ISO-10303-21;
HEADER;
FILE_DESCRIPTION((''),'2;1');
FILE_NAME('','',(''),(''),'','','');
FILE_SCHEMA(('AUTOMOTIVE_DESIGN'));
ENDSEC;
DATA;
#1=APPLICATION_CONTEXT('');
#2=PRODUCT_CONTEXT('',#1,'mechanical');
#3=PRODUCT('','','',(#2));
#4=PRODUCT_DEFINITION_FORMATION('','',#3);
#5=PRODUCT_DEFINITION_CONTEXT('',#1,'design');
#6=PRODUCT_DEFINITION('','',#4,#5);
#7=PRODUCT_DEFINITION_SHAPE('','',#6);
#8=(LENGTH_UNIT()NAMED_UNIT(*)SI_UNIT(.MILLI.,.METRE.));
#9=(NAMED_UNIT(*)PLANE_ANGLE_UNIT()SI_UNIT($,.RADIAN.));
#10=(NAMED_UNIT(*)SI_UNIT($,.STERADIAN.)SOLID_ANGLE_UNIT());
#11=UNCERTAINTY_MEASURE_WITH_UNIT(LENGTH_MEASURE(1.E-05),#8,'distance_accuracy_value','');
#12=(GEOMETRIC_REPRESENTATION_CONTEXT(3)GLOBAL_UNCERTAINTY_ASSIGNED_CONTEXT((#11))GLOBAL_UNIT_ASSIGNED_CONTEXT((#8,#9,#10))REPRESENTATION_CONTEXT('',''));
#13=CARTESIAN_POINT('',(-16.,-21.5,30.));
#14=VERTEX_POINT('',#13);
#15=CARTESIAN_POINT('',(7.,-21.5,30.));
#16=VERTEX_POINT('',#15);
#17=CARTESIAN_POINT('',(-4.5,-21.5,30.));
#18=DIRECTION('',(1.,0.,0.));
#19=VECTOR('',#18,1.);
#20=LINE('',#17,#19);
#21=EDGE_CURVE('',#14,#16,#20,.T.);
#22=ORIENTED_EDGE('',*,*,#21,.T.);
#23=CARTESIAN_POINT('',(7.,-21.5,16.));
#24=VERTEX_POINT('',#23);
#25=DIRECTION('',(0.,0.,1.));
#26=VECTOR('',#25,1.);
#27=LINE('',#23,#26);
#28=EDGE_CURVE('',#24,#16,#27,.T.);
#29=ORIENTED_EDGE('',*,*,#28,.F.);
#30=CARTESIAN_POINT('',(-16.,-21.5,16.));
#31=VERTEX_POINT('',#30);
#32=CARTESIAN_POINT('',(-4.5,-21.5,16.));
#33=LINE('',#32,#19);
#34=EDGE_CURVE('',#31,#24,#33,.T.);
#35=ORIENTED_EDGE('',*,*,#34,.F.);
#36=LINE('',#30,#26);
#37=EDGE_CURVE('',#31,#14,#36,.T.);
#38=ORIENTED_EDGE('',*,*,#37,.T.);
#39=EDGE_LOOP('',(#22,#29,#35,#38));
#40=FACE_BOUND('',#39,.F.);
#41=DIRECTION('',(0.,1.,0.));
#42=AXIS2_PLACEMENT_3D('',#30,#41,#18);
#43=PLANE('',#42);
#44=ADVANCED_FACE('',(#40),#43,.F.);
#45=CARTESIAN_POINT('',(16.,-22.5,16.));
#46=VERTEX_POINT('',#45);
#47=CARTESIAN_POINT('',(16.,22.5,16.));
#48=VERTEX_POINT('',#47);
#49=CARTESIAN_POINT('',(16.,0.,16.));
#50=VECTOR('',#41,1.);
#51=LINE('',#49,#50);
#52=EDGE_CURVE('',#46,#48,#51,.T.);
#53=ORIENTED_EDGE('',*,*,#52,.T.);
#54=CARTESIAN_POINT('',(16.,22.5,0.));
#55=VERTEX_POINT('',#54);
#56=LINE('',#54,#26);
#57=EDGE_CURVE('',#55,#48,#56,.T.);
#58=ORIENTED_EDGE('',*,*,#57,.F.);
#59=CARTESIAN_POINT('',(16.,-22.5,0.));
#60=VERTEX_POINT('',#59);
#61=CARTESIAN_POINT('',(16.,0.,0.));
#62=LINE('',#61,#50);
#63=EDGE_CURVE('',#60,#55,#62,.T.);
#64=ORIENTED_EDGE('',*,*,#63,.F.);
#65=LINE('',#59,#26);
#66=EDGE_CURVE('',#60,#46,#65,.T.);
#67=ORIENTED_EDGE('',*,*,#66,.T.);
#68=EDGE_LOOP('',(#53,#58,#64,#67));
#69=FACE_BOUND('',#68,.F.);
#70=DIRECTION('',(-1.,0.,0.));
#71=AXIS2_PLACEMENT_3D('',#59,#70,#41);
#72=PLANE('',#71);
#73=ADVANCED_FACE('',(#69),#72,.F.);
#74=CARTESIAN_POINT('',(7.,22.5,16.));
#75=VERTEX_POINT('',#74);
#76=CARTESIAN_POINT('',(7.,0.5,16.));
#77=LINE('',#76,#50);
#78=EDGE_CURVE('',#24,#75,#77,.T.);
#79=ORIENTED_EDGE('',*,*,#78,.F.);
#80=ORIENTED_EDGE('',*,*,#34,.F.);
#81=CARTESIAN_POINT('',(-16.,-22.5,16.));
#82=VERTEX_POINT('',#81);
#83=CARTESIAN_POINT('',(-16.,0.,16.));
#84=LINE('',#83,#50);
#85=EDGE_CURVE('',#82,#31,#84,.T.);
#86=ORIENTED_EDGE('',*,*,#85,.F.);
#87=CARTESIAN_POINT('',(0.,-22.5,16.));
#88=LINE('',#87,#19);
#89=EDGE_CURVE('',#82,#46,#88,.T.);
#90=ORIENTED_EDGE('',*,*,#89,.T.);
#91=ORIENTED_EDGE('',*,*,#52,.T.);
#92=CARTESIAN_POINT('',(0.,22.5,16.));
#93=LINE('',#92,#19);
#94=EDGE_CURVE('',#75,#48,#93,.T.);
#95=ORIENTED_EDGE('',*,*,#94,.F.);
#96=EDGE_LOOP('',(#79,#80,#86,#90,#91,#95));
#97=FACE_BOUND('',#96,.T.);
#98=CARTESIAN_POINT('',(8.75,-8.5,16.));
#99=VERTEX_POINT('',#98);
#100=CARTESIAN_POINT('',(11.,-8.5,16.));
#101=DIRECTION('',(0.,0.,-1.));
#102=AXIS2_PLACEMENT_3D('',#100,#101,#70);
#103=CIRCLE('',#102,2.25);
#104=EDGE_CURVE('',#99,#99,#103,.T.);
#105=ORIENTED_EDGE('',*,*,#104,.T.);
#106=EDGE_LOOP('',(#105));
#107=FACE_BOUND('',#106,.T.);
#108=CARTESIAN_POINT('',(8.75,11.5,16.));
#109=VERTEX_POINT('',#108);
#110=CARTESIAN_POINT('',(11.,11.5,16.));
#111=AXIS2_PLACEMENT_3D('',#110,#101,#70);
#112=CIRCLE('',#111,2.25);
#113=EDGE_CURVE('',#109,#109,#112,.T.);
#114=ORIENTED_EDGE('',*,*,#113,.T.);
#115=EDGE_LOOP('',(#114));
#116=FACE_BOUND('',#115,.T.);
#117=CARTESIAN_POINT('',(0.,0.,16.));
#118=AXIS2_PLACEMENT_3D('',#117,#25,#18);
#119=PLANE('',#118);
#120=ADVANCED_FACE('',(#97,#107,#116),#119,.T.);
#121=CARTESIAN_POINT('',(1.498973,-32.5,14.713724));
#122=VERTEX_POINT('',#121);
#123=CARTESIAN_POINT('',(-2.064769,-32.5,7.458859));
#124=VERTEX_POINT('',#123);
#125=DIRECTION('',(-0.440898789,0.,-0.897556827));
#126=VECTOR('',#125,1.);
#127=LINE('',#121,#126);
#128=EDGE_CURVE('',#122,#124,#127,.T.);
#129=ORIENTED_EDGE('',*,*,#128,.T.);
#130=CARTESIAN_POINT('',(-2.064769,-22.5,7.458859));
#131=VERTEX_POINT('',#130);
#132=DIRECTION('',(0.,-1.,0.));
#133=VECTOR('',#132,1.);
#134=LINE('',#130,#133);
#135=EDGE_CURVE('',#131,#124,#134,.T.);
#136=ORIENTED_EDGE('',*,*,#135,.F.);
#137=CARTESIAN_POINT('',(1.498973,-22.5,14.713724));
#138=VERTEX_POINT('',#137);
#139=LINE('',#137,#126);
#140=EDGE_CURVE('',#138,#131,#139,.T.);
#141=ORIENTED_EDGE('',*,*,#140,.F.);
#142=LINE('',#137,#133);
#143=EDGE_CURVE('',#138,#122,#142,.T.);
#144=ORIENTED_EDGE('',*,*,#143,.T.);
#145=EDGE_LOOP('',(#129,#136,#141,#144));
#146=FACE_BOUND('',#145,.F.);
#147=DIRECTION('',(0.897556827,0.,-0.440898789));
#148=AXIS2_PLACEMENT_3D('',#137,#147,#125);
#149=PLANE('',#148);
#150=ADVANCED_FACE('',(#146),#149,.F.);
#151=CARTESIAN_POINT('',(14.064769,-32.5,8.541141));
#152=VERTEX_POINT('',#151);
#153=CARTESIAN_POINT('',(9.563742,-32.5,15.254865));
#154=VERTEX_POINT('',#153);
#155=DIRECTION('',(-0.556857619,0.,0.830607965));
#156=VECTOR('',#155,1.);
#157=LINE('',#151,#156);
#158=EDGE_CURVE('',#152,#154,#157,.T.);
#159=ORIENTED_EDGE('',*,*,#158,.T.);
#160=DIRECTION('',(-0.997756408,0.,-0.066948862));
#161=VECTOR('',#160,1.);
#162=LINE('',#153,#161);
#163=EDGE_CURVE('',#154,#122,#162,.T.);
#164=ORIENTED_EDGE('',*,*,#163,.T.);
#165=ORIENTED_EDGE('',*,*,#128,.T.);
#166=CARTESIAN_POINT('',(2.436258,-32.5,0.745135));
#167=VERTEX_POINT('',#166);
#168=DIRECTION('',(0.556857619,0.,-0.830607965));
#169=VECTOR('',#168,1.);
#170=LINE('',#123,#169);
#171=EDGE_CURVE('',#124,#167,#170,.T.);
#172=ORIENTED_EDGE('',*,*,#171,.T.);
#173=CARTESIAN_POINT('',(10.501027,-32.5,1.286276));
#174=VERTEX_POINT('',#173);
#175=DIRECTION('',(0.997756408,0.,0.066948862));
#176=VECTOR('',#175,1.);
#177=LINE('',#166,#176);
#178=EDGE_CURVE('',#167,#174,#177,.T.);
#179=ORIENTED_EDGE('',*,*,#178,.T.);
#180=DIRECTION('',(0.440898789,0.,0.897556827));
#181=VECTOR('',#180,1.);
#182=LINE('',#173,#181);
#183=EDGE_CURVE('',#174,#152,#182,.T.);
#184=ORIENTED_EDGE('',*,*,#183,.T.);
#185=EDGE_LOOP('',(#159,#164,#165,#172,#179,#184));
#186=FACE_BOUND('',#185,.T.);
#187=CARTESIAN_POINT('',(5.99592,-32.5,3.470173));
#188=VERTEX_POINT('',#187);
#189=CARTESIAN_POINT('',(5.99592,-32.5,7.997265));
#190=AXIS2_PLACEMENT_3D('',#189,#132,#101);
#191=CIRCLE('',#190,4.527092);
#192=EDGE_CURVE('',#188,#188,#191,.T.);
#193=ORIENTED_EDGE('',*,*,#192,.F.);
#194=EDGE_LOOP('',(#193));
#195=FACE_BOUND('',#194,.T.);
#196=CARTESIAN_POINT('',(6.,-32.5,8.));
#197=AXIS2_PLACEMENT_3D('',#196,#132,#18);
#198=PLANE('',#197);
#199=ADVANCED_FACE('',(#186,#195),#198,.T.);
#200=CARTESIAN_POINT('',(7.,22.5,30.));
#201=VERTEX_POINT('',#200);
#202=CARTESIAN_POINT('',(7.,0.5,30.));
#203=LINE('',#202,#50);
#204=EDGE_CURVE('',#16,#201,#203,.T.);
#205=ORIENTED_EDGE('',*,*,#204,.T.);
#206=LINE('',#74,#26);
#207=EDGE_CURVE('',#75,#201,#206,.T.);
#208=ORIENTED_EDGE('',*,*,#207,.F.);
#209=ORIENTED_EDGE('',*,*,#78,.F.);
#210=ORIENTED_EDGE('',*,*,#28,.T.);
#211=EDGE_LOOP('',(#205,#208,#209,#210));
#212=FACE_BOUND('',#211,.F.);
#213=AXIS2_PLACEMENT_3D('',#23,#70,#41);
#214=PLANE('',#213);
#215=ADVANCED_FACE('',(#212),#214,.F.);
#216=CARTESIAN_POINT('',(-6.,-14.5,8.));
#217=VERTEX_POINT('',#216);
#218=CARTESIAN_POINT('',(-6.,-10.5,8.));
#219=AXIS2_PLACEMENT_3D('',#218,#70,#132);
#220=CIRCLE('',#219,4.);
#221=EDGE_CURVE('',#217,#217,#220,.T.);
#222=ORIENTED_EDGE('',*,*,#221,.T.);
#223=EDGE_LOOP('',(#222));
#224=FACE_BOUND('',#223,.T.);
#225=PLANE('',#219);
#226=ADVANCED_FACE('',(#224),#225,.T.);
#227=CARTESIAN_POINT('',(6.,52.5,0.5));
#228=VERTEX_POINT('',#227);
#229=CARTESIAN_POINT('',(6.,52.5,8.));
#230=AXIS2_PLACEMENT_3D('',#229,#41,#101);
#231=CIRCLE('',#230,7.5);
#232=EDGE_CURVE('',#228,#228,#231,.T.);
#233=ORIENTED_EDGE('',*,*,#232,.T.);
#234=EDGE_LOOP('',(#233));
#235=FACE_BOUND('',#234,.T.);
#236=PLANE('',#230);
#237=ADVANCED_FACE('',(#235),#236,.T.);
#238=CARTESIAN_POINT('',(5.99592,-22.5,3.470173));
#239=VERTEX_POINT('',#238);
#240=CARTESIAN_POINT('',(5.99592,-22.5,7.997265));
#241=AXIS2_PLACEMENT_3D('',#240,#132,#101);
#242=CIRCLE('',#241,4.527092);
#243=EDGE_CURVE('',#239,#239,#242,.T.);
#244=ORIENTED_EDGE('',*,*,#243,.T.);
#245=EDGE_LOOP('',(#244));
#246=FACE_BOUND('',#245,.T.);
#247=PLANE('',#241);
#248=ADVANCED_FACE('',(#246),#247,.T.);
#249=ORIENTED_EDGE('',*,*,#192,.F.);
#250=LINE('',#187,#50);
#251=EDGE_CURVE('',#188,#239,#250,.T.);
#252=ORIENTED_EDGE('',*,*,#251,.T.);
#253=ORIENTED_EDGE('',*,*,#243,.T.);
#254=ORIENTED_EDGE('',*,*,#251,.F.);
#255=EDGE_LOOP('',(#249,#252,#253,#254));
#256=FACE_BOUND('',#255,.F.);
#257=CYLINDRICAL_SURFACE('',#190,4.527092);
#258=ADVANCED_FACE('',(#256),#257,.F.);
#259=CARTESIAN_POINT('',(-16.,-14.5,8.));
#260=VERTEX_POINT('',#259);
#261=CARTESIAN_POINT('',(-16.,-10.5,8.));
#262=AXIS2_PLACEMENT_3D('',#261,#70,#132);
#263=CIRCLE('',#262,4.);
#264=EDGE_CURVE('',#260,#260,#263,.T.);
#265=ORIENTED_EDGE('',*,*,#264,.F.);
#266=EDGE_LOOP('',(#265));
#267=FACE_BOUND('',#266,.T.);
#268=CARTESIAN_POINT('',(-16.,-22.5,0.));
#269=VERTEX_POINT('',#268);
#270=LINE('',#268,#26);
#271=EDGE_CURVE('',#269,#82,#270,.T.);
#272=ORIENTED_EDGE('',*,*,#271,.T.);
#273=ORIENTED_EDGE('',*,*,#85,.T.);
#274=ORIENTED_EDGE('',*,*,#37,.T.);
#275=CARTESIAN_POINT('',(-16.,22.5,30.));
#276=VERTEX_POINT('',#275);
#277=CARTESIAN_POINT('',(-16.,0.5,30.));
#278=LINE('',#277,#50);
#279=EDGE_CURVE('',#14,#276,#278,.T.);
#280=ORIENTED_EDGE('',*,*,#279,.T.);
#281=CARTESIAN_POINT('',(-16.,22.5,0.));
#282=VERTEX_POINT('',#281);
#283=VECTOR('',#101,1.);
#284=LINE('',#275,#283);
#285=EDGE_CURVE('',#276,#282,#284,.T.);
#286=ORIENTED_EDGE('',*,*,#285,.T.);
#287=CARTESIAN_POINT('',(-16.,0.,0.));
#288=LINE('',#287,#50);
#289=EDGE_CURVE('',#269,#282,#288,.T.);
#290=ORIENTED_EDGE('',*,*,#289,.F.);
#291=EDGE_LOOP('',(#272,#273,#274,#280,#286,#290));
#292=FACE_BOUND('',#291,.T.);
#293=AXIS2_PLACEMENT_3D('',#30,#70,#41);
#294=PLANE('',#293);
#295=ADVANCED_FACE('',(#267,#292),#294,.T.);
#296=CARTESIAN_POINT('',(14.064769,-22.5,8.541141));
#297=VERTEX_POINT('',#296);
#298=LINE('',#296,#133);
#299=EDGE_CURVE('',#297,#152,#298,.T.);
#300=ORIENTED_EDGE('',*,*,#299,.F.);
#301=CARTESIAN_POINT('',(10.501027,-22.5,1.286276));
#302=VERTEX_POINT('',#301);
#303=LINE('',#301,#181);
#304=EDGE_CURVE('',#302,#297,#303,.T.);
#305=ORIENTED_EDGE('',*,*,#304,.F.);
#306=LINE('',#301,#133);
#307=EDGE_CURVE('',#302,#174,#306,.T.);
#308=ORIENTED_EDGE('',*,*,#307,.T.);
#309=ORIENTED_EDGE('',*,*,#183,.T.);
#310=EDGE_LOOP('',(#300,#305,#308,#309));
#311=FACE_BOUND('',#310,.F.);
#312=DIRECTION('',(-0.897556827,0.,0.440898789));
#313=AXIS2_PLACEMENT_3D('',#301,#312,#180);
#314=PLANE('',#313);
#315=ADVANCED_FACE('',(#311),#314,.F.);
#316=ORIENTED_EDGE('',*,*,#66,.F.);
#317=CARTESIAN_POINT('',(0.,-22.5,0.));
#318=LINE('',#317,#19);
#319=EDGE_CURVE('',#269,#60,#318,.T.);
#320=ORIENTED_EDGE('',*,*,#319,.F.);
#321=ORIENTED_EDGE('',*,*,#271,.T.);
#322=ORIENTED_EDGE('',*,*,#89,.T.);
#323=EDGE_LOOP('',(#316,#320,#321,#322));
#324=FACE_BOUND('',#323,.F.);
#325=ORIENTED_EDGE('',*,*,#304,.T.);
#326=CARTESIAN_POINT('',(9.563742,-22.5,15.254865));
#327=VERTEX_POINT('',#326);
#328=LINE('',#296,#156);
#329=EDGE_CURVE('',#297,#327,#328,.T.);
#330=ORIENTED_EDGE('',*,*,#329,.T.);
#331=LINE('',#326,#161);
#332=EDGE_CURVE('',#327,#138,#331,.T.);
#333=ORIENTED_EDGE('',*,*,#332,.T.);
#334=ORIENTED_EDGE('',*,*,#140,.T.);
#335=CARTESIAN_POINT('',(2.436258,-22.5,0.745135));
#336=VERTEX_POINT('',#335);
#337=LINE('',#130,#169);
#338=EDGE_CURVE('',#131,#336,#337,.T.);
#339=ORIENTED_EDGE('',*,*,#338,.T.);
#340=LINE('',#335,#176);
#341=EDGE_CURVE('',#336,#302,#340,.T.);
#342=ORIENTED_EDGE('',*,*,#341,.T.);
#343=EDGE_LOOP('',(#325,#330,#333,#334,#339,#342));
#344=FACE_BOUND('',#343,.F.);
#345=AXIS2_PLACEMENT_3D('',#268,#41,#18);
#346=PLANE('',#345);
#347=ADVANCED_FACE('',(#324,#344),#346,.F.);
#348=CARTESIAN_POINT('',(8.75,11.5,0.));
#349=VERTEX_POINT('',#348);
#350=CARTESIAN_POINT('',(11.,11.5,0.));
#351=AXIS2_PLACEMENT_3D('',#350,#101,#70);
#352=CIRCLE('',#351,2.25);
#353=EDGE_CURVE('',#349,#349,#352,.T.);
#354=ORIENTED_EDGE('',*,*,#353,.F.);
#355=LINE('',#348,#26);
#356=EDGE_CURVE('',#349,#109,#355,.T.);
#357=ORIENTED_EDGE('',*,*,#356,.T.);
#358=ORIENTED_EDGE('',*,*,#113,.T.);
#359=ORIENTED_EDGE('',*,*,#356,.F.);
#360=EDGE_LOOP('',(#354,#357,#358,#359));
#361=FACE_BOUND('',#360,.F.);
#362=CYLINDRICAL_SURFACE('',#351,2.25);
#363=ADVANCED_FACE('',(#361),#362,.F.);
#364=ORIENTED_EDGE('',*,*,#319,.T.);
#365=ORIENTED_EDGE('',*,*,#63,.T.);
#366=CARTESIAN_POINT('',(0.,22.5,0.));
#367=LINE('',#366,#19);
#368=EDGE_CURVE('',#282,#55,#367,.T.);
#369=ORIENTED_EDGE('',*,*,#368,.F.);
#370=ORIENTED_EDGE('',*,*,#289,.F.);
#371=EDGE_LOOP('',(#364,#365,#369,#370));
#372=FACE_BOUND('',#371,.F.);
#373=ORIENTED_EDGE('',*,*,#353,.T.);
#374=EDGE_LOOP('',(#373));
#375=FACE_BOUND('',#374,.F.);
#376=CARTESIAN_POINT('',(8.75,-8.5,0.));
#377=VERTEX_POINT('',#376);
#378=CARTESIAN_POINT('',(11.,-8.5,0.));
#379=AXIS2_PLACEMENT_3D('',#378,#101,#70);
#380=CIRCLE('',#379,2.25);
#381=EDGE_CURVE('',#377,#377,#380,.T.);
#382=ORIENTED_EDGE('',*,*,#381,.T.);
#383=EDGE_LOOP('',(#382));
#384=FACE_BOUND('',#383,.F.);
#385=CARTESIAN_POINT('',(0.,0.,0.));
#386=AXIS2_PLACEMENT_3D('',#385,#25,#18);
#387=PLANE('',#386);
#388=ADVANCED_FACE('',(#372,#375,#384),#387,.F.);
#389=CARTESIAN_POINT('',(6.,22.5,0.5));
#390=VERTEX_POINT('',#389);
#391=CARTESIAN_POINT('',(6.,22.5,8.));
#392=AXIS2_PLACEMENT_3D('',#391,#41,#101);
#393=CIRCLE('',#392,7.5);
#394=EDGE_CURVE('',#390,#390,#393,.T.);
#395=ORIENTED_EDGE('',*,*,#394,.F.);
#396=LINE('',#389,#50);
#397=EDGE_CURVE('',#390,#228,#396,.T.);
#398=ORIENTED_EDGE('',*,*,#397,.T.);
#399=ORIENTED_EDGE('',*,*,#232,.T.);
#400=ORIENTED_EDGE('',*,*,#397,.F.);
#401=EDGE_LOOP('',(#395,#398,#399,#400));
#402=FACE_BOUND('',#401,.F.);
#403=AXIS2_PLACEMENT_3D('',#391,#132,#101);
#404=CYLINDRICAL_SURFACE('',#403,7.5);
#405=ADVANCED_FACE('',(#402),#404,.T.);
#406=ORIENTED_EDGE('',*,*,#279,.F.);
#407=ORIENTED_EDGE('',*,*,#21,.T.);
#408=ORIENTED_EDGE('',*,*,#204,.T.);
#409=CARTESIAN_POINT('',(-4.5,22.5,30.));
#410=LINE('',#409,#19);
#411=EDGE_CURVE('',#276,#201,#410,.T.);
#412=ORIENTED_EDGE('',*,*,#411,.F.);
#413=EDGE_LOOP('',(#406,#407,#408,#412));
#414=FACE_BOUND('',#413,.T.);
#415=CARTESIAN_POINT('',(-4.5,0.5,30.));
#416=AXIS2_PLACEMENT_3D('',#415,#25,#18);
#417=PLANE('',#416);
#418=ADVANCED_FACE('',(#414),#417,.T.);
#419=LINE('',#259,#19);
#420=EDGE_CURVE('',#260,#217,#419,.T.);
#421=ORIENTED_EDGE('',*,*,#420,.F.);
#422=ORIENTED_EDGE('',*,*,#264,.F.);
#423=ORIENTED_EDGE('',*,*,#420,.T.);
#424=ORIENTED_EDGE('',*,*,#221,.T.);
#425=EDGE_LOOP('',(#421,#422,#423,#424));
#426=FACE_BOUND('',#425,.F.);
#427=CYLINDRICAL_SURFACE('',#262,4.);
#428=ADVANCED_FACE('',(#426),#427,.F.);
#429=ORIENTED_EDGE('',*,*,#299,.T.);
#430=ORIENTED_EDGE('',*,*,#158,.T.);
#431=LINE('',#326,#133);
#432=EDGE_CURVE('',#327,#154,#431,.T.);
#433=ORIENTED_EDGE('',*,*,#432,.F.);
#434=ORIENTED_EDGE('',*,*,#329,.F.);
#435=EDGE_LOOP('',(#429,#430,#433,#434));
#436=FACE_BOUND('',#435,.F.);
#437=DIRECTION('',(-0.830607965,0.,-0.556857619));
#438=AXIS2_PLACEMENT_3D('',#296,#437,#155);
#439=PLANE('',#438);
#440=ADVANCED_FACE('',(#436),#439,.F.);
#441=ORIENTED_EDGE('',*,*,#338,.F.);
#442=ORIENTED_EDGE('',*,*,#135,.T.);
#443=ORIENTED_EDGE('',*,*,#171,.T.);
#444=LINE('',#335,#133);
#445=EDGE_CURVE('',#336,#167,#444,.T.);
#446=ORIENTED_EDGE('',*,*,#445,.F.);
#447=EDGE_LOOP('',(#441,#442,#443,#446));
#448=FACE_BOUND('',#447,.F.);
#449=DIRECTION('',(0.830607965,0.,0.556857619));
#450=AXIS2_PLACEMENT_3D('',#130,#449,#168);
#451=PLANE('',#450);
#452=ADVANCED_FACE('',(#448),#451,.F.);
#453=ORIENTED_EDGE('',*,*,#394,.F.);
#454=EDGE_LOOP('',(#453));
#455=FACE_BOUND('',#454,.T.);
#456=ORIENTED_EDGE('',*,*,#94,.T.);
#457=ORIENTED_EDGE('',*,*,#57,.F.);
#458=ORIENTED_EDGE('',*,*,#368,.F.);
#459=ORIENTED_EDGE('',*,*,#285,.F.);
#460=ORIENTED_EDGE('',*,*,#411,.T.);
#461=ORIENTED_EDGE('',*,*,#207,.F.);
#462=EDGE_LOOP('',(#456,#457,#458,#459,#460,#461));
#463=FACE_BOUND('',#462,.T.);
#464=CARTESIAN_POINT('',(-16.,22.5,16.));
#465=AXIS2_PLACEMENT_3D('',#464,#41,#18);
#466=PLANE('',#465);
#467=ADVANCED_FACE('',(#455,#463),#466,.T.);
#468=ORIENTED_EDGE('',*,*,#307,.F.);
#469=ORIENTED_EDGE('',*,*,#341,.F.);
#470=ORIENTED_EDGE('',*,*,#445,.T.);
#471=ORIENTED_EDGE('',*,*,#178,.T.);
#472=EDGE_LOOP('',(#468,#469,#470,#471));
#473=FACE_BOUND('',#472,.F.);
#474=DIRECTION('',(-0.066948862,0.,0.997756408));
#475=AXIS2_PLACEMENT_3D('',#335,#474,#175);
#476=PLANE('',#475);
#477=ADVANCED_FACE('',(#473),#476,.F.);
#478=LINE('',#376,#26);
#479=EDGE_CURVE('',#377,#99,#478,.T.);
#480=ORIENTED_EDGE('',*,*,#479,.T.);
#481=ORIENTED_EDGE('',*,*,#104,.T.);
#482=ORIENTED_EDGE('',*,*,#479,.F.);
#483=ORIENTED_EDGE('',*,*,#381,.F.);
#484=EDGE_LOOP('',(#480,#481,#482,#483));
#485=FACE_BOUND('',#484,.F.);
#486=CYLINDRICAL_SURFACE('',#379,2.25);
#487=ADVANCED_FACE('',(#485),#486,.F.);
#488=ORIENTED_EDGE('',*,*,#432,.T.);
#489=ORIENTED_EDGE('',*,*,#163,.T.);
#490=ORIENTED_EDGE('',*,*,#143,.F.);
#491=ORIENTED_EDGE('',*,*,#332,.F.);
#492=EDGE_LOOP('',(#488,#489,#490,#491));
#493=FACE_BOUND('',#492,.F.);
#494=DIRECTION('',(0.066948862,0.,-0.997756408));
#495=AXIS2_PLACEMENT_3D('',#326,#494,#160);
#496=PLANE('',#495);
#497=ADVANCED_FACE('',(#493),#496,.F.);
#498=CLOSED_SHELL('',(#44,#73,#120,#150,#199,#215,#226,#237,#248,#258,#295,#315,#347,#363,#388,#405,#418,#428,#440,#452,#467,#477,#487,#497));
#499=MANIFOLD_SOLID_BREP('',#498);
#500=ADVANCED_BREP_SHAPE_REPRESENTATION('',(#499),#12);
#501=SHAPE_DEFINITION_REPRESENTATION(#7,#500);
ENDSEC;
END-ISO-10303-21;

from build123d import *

# Parameters (mm, degrees)
SKETCH_1_W          = 32
SKETCH_1_H          = 45
EXTRUDE_1_DEPTH     = 16
CUT_EXTRUDE_1_REACH = 33.91
SKETCH_2_R          = 2.25
SKETCH_3_R          = 7.5
EXTRUDE_2_DEPTH     = 30
SKETCH_4_W          = 23
SKETCH_4_H          = 44
EXTRUDE_3_DEPTH     = 14
EXTRUDE_4_DEPTH     = 10
SKETCH_6_R          = 4.527091975
CUT_EXTRUDE_2_DEPTH = 10
SKETCH_7_R          = 4
CUT_EXTRUDE_3_DEPTH = 10


with BuildPart() as part:
    # 草图1 → 凸台-拉伸1 (new body)
    with BuildSketch(Plane.XY):
        Rectangle(SKETCH_1_W, SKETCH_1_H)
    extrude(amount=EXTRUDE_1_DEPTH)

    # 草图2 → 切除-拉伸1 (cut, up to next)
    with BuildSketch(Plane(origin=(0, 0, 0), x_dir=(-1, 0, 0), z_dir=(0, 0, -1)), mode=Mode.PRIVATE) as cut_extrude_1_sk1:
        with Locations((-11, 11.5)):
            Circle(SKETCH_2_R)
    cut_extrude_1_tool1 = extrude(cut_extrude_1_sk1.sketch, amount=-CUT_EXTRUDE_1_REACH, mode=Mode.PRIVATE) & part.part
    # 草图2 → 切除-拉伸1 (cut, up to next)
    with BuildSketch(Plane(origin=(0, 0, 0), x_dir=(-1, 0, 0), z_dir=(0, 0, -1)), mode=Mode.PRIVATE) as cut_extrude_1_sk2:
        with Locations((-11, -8.5)):
            Circle(SKETCH_2_R)
    cut_extrude_1_tool2 = extrude(cut_extrude_1_sk2.sketch, amount=-CUT_EXTRUDE_1_REACH, mode=Mode.PRIVATE) & part.part
    add(cut_extrude_1_tool1.solids().sort_by_distance((11, 11.5, 0))[0], mode=Mode.SUBTRACT)
    add(cut_extrude_1_tool2.solids().sort_by_distance((11, -8.5, 0))[0], mode=Mode.SUBTRACT)

    # 草图3 → 凸台-拉伸2 (add)
    with BuildSketch(Plane(origin=(0, 22.5, 0), x_dir=(1, 0, 0), z_dir=(0, 1, 0))):
        with Locations(Location((6, -8, 0), (0, 0, 90))):
            Circle(SKETCH_3_R)
    extrude(amount=EXTRUDE_2_DEPTH)

    # 草图4 → 凸台-拉伸3 (add)
    with BuildSketch(Plane.XY.offset(16)):
        with Locations((-4.5, 0.5)):
            Rectangle(SKETCH_4_W, SKETCH_4_H)
    extrude(amount=EXTRUDE_3_DEPTH)

    # 草图5 → 凸台-拉伸4 (add)
    with BuildSketch(Plane.XZ.offset(22.5)):
        Polygon((10.501026547, 1.286275746), (14.064769031, 8.541141206), (9.563742484, 15.25486546), (1.498973453, 14.713724254), (-2.064769031, 7.458858794), (2.436257516, 0.74513454), align=None)
    extrude(amount=EXTRUDE_4_DEPTH)

    # 草图6 → 切除-拉伸2 (cut)
    with BuildSketch(Plane.XZ.offset(32.5)):
        with Locations(Location((5.995920122, 7.997264761, 0), (0, 0, 270))):
            Circle(SKETCH_6_R)
    extrude(amount=-CUT_EXTRUDE_2_DEPTH, mode=Mode.SUBTRACT)

    # 草图7 → 切除-拉伸3 (cut)
    with BuildSketch(Plane.ZY.offset(16)):
        with Locations(Location((8, -10.5, 0), (0, 0, 270))):
            Circle(SKETCH_7_R)
    extrude(amount=-CUT_EXTRUDE_3_DEPTH, mode=Mode.SUBTRACT)


solid = part.part
